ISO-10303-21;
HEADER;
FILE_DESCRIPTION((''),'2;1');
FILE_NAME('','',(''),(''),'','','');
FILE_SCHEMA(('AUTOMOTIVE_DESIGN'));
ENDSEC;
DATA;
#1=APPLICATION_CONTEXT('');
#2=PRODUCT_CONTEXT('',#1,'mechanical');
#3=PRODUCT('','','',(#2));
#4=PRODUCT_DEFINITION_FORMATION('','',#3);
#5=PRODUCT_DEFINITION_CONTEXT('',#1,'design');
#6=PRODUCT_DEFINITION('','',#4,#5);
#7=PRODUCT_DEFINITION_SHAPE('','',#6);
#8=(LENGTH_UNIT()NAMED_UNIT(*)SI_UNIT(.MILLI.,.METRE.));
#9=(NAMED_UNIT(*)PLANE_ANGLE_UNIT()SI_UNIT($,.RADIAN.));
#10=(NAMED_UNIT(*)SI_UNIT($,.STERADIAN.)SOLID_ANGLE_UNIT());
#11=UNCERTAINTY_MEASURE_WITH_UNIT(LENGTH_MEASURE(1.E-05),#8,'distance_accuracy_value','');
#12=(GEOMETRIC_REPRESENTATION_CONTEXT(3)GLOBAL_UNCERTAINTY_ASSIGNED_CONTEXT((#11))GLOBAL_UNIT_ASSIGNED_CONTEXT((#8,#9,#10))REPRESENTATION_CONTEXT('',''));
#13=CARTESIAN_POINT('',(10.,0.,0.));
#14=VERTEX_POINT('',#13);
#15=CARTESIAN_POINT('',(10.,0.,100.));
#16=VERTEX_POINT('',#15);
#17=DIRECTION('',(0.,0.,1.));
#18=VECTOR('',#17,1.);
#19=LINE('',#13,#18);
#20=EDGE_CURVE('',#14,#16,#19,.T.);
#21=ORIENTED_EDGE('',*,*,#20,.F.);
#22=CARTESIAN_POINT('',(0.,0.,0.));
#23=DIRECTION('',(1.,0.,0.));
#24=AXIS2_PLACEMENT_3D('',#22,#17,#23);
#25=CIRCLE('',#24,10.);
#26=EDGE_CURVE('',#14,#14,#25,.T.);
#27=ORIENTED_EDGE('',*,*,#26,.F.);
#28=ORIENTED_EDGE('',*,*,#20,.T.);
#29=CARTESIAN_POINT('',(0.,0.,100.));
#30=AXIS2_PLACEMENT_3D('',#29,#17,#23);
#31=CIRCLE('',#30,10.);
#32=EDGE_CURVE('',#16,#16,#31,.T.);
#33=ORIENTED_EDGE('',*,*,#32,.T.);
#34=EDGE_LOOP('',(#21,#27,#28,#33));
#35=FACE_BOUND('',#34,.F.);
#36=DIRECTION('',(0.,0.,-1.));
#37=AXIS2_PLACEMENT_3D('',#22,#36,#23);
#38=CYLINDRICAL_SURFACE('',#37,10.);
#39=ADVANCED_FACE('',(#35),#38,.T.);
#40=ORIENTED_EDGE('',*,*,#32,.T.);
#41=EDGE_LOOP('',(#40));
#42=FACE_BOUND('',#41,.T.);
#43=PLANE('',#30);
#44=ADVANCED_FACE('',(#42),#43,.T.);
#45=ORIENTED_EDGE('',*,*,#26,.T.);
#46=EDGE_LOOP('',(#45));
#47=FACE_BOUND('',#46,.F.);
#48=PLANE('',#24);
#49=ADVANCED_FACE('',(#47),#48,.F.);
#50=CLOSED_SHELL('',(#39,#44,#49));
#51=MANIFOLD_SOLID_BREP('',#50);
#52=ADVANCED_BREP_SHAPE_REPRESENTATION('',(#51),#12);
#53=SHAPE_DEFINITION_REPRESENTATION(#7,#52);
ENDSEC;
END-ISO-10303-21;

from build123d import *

# Parameters (mm, degrees)
SKETCH_R  = 10
PAD_DEPTH = 100


with BuildPart() as part:
    # Sketch → Pad (new body)
    with BuildSketch(Plane.XY):
        Circle(SKETCH_R)
    extrude(amount=PAD_DEPTH)


solid = part.part
